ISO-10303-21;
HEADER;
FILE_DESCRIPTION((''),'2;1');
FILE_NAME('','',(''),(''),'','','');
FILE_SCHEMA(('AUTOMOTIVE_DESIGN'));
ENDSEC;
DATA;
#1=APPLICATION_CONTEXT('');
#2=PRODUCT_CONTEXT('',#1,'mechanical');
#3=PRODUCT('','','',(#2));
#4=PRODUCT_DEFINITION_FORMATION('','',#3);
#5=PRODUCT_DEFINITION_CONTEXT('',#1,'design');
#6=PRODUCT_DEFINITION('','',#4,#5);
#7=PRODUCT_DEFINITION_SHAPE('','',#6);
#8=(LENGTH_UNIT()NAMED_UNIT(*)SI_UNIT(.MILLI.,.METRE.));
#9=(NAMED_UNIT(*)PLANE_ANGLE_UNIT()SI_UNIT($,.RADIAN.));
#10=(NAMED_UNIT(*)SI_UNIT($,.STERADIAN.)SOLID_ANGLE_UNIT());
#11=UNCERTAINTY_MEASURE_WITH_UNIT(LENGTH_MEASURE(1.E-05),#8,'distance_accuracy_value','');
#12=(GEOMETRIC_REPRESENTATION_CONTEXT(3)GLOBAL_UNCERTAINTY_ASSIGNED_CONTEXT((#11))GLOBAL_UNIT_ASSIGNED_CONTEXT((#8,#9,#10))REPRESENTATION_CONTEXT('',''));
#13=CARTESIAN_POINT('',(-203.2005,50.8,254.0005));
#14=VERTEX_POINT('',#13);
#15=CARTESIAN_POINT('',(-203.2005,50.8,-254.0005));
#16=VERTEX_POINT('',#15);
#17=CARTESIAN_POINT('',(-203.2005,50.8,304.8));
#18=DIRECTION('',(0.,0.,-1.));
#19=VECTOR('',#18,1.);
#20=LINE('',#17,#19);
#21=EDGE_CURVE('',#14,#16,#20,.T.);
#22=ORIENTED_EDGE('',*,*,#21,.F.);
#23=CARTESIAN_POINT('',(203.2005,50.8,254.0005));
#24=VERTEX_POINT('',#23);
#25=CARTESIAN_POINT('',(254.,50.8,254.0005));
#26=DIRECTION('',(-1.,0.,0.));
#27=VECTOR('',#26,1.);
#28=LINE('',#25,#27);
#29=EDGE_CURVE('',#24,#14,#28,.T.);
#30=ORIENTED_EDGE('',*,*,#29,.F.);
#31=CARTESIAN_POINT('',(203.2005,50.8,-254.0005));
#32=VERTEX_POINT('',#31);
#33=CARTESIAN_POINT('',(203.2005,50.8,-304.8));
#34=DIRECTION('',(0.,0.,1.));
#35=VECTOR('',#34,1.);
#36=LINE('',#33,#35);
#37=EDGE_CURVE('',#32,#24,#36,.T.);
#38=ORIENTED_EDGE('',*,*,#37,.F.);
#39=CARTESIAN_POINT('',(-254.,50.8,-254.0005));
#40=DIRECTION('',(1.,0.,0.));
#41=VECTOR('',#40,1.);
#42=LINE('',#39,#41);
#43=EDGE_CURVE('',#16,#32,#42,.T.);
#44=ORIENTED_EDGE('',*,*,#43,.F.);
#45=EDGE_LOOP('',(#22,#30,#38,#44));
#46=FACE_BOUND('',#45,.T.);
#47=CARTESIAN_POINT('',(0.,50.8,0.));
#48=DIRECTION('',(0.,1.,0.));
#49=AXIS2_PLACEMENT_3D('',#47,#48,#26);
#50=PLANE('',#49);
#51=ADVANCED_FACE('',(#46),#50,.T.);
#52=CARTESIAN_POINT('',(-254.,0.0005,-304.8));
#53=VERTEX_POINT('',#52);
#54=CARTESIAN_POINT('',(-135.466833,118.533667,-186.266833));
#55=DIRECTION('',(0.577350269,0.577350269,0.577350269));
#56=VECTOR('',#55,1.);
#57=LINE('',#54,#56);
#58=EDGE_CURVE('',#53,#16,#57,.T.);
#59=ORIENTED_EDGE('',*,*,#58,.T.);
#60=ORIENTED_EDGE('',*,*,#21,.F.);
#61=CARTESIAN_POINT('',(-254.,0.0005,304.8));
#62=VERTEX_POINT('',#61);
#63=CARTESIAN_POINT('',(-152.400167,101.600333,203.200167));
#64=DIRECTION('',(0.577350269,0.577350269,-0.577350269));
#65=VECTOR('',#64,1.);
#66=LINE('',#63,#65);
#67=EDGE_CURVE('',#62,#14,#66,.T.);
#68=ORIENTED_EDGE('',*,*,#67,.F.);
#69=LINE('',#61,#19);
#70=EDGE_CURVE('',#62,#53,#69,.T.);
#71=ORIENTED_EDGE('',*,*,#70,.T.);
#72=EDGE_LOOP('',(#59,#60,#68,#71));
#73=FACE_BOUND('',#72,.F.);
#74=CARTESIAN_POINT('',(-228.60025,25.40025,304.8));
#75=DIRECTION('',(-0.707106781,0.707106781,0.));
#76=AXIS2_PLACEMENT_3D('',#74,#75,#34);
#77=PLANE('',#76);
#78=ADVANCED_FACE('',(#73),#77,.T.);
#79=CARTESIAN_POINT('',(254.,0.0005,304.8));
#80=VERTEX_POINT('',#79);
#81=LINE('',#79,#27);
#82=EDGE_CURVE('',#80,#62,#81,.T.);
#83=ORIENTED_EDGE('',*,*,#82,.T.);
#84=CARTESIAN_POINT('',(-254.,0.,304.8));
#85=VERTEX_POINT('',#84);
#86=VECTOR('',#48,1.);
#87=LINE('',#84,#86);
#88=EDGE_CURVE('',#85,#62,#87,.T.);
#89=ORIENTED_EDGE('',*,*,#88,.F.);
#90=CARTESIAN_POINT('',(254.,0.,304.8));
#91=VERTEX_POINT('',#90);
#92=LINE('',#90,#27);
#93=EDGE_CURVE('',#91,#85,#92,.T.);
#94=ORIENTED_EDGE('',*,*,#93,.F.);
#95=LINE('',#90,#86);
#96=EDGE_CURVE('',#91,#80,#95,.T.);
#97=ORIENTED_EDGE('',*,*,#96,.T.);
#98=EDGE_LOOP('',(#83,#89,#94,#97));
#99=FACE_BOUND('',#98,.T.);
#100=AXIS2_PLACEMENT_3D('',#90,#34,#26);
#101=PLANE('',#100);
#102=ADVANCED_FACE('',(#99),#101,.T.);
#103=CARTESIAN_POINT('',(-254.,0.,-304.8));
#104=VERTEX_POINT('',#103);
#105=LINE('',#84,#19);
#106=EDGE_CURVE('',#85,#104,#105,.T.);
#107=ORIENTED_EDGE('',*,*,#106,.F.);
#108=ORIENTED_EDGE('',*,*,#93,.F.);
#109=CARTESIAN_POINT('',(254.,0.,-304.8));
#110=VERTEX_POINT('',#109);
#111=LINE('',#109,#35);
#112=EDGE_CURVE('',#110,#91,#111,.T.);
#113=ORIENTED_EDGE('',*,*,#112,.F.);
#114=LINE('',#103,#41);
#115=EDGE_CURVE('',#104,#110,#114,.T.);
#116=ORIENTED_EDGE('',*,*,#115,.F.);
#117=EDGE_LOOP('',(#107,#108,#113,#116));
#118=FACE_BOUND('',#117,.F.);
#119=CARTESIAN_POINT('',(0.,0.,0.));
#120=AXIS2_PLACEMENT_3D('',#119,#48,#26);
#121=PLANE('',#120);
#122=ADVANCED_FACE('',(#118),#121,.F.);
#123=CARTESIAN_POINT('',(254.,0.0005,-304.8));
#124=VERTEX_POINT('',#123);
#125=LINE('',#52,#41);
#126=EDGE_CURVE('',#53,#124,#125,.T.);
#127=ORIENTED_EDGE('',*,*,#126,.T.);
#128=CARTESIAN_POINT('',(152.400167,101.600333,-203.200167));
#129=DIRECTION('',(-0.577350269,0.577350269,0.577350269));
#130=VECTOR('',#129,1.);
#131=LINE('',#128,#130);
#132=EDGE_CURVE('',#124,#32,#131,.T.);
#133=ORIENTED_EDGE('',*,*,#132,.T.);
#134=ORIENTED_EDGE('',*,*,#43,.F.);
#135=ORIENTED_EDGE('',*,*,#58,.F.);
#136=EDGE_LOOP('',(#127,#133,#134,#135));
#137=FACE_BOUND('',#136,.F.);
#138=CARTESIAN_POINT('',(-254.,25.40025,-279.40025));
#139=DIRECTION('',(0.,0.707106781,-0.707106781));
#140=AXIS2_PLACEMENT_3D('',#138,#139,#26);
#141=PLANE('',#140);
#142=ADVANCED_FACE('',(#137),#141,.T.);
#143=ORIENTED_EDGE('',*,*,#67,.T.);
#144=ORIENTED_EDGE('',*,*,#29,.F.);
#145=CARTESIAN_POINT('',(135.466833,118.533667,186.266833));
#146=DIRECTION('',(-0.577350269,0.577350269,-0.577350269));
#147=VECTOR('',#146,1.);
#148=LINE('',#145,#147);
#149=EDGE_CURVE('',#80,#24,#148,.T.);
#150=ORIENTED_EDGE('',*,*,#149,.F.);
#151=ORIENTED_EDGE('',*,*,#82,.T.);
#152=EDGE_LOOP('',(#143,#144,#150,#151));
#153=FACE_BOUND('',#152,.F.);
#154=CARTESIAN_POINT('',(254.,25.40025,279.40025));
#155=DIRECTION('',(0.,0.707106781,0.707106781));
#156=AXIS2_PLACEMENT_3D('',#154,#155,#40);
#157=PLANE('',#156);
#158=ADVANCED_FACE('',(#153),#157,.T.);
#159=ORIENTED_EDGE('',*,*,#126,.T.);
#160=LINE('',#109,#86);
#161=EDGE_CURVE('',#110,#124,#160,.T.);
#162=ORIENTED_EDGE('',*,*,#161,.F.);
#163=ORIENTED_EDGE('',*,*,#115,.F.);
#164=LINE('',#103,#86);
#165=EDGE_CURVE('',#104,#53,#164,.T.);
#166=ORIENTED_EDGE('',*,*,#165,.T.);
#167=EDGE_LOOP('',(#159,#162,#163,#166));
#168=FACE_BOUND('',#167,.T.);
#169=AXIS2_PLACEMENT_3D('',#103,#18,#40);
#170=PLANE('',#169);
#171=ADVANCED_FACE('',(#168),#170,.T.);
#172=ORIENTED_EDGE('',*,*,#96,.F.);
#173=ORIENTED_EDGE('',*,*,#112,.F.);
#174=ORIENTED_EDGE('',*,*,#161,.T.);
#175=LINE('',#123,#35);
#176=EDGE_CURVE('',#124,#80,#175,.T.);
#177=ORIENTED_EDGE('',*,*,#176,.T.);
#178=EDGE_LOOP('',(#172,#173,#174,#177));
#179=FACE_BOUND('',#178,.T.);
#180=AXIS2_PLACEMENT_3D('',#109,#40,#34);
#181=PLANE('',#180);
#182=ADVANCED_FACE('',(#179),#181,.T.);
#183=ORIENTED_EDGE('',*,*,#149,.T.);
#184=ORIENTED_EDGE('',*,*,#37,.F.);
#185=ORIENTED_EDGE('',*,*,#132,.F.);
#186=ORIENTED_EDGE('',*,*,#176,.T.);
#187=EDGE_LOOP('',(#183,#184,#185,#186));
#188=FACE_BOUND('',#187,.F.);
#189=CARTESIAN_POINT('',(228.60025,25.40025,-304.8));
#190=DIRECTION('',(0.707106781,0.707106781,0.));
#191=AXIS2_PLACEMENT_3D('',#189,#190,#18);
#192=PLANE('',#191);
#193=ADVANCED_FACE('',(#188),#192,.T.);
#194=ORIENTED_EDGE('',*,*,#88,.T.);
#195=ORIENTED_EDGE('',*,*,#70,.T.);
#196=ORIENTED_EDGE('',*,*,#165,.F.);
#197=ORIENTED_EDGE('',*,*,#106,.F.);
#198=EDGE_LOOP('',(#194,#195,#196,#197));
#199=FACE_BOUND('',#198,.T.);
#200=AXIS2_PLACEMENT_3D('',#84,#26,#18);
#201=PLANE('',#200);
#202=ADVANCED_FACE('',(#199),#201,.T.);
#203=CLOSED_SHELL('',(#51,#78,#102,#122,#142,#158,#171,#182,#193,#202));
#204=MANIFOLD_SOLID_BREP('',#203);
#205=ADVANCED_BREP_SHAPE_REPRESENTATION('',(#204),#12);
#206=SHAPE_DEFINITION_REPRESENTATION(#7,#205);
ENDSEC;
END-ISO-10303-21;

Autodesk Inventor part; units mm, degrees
ref_plane "YZ Plane" through (0, 0, 0) normal (1, 0, 0) x (0, 1, 0)
ref_plane "XZ Plane" through (0, 0, 0) normal (0, 1, 0) x (-1, 0, 0)
ref_plane "XY Plane" through (0, 0, 0) normal (0, 0, 1) x (1, 0, 0)
sketch "Sketch1" plane through (0, 0, 0) normal (0, 1, 0) x (-1, 0, 0)
  line L0 (-254, 304.8) -> (254, 304.8)
  line L1 (254, 304.8) -> (254, -304.8)
  line L2 (254, -304.8) -> (-254, -304.8)
  line L3 (-254, -304.8) -> (-254, 304.8)
  line L4 (-254, 304.8) -> (254, -304.8) construction
  line L5 (254, 304.8) -> (-254, -304.8) construction
  point P0 (0, 0)
  dimension "d0" = 609.6
  dimension "d1" = 508
extrude "Extrusion1" add sketch "Sketch1" along normal blind 50.8
chamfer "Chamfer1" distance 50.8 angle 45 4 edges at (254, 50.8, 0) (0, 50.8, -304.8) (-254, 50.8, 0) (0, 50.8, 304.8)
properties part number "hologram display base (for assembly)"
